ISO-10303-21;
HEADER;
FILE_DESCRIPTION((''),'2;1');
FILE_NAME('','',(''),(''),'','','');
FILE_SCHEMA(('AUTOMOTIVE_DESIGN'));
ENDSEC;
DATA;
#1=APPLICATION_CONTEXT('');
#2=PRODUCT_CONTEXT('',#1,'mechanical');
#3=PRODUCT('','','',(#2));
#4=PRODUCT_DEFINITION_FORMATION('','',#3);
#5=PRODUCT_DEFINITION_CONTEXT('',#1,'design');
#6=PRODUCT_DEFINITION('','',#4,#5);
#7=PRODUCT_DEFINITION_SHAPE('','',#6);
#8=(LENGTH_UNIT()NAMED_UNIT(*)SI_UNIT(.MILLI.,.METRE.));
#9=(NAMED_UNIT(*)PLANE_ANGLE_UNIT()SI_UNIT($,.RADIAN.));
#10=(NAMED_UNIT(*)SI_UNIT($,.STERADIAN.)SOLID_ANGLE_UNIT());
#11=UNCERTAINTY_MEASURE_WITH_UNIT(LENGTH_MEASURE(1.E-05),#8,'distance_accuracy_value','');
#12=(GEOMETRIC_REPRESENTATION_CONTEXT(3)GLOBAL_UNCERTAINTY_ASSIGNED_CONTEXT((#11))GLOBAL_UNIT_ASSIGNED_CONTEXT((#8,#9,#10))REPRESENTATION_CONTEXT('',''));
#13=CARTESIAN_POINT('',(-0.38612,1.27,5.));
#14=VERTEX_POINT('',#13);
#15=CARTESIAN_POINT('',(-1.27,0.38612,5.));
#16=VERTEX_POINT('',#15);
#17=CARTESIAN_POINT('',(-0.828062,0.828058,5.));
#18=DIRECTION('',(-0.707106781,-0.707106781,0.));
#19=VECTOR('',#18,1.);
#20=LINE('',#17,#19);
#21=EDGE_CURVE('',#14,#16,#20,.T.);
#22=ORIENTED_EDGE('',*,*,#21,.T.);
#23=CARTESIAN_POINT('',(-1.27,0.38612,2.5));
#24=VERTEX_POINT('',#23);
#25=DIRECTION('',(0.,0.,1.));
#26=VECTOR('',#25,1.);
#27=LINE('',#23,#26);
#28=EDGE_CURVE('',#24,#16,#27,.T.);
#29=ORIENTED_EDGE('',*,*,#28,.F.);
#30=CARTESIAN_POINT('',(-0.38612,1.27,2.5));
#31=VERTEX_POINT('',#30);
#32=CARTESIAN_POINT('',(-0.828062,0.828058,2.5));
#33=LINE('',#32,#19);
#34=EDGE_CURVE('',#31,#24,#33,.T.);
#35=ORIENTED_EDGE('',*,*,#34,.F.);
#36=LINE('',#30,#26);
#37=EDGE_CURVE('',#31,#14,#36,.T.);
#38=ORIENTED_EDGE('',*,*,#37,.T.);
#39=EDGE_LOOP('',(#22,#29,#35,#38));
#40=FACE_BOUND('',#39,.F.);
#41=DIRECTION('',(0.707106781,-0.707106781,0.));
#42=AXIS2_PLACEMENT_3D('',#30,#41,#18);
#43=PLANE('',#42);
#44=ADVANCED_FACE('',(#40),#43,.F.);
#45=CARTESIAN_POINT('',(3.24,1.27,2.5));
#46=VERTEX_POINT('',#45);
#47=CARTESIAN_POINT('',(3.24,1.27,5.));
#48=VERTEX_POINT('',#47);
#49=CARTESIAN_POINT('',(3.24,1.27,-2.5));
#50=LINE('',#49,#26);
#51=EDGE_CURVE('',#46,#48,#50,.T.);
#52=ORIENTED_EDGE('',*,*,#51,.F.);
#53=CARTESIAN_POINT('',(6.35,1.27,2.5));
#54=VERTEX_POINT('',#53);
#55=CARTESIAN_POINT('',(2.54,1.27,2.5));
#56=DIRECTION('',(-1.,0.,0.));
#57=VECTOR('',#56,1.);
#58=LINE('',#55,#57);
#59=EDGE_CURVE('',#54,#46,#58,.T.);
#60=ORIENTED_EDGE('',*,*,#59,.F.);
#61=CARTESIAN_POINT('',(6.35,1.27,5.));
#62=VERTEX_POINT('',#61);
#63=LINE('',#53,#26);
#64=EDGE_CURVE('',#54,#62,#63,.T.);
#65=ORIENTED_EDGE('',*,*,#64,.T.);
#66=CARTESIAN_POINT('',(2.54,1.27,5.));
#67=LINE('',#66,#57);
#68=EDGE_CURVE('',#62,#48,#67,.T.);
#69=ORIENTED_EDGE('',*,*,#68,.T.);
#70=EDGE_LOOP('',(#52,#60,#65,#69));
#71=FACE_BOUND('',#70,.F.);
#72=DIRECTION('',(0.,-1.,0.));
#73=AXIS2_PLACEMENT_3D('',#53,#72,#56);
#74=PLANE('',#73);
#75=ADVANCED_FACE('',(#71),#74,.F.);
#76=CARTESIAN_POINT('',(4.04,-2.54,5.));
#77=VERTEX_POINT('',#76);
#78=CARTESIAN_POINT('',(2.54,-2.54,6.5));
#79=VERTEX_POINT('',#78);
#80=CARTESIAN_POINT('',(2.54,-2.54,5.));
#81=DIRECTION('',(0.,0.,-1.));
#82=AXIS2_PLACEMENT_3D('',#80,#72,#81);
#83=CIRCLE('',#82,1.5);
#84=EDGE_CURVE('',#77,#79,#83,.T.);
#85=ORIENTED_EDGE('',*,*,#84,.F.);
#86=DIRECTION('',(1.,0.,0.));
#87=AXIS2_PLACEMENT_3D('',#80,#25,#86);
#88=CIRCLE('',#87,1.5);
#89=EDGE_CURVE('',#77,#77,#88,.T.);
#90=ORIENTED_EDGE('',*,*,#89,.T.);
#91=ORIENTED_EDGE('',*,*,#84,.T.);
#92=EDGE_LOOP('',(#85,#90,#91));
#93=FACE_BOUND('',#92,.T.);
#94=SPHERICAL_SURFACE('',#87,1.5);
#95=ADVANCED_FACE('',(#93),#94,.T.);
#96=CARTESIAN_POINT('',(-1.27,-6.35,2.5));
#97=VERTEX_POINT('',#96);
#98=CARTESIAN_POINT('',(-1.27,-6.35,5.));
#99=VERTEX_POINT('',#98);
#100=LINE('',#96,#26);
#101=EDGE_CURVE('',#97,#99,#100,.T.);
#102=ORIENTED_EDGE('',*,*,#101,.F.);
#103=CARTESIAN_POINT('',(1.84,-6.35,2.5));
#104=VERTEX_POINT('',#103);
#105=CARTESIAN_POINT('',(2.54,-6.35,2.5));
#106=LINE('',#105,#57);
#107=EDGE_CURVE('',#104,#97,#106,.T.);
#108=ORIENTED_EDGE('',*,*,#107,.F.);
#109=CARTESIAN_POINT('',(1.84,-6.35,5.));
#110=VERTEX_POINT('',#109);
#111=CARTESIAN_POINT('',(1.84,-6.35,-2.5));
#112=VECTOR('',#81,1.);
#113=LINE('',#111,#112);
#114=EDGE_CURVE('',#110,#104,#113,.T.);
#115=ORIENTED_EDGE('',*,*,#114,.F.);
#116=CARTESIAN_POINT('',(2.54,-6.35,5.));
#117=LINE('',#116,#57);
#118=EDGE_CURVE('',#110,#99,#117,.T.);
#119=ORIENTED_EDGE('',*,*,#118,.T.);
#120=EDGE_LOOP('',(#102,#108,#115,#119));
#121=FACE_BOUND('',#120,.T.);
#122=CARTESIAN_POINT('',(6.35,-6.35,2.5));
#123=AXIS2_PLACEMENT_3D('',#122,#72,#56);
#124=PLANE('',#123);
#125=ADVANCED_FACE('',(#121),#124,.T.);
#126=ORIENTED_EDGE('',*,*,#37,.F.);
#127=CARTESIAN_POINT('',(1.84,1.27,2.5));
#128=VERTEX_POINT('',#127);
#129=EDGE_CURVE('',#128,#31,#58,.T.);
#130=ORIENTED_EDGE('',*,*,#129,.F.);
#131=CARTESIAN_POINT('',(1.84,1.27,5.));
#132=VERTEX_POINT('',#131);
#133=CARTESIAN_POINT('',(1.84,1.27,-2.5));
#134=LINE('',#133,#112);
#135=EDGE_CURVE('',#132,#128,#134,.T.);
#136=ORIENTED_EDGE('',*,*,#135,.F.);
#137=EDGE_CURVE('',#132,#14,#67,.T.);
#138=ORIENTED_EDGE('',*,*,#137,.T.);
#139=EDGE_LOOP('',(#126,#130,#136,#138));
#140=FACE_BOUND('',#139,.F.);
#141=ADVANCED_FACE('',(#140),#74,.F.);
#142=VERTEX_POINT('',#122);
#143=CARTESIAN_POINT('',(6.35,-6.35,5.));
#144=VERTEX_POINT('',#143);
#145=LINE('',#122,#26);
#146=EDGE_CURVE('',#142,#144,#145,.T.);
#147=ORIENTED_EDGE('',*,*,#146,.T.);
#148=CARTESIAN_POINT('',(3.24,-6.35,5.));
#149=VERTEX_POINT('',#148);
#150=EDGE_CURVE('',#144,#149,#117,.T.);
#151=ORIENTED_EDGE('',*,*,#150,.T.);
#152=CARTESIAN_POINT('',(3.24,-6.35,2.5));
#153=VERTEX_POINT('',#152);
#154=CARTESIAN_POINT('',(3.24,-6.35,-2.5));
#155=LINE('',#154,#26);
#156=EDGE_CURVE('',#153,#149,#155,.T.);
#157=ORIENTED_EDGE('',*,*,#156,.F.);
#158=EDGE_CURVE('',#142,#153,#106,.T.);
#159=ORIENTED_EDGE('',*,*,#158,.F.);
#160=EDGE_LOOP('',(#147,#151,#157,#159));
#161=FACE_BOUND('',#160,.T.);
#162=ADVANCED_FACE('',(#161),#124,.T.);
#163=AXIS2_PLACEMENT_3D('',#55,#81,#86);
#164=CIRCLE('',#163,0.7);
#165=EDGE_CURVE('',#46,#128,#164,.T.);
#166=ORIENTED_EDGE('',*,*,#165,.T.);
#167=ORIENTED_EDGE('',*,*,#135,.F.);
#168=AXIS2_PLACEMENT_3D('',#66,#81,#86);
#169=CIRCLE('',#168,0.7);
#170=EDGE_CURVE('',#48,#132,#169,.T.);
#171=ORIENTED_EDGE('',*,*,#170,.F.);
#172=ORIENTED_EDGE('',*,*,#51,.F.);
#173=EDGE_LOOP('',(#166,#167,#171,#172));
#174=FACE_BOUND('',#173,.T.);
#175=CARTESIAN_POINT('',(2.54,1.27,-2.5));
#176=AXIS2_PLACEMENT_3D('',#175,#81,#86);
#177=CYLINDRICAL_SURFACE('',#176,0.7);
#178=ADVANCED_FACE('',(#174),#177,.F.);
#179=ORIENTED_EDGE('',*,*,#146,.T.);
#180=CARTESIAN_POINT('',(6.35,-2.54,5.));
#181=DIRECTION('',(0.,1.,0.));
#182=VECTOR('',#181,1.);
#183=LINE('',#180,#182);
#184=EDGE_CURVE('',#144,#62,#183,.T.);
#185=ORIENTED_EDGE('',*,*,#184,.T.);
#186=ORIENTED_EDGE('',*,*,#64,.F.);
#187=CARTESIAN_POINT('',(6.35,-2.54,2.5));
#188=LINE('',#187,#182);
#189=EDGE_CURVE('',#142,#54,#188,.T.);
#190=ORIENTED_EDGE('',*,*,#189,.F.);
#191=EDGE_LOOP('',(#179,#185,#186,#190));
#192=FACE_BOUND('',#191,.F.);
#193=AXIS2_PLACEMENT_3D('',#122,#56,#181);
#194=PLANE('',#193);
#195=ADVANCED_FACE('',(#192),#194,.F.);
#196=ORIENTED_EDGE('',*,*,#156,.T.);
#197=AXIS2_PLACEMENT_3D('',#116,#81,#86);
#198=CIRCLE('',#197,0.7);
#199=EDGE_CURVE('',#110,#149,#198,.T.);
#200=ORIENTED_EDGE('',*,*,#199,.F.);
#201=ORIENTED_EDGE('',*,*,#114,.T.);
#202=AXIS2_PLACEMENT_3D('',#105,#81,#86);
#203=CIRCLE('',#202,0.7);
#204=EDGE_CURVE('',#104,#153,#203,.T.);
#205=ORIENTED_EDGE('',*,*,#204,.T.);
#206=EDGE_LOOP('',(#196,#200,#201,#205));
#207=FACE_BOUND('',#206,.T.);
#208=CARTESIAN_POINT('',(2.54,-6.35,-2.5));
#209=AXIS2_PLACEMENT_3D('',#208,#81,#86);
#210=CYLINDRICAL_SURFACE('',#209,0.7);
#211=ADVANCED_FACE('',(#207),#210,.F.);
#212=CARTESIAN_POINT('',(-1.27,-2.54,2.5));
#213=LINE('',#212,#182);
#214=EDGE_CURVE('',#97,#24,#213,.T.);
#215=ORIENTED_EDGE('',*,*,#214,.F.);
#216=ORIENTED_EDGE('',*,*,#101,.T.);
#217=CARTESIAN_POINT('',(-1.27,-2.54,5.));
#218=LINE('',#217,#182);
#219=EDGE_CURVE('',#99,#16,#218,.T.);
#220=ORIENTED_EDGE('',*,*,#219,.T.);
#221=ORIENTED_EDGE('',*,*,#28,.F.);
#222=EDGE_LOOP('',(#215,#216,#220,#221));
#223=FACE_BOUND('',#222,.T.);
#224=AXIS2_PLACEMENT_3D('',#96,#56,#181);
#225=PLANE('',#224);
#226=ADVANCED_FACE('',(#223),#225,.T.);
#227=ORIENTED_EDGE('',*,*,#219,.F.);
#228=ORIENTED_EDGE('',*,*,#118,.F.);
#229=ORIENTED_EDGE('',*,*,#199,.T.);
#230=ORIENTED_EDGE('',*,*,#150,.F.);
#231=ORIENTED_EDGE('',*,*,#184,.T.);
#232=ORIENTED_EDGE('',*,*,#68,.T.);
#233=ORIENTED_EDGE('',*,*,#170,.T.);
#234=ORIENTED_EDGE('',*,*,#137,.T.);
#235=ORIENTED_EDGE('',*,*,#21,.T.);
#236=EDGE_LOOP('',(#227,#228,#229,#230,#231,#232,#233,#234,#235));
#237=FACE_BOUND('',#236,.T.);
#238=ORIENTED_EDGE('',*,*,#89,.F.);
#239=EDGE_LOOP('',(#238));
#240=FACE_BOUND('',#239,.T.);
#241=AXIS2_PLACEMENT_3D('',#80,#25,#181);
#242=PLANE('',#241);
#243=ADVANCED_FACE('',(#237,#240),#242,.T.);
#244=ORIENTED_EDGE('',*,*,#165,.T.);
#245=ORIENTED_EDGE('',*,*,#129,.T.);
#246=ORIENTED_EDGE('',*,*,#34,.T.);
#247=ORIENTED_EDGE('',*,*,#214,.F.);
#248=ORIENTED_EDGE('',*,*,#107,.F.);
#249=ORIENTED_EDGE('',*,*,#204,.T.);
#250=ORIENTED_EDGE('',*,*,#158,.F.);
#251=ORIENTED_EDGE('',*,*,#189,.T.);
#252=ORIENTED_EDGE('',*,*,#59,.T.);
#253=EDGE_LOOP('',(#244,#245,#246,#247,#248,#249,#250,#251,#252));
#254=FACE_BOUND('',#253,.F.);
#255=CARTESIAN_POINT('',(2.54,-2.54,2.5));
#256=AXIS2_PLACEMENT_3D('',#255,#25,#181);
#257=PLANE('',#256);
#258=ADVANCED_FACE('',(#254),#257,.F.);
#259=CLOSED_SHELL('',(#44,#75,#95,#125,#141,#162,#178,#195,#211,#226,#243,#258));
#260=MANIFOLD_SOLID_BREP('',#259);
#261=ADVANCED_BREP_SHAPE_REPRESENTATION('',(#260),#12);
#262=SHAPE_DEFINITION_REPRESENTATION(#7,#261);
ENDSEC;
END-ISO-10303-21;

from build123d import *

# Parameters (mm, degrees)
BOX002_W               = 4
BOX002_H               = 4
BOX002_DEPTH           = 4
CYLINDER001_R          = 0.7
CYLINDER001_DEPTH      = 10
CYLINDER_R             = 0.7
CYLINDER_DEPTH         = 10
BOX001_W               = 1.25
BOX001_H               = 1.25
BOX001_DEPTH           = 2.5
BOX001_PLACEMENT_ANGLE = 45
BOX_W                  = 7.62
BOX_H                  = 7.62
BOX_DEPTH              = 2.5
CUT_PLACEMENT_ANGLE    = 90


with BuildPart() as lens_cut:
    # Box002 → Box002 (new body)
    with BuildSketch(Plane(origin=(-2, -2, -4), x_dir=(1, 0, 0), z_dir=(0, 0, 1))):
        with Locations((2, 2)):
            Rectangle(BOX002_W, BOX002_H)
    extrude(amount=BOX002_DEPTH)


with BuildPart() as led_lens001:
    # Sphere → Sphere (revolve)
    with BuildSketch(Plane.XZ):
        with BuildLine():
            ThreePointArc((0, -1.5), (1.5, 0), (0, 1.5))
            Line((0, 1.5), (0, -1.5))
        make_face()
    revolve(axis=Axis((0, 0, 0), (0, 0, 1)))

    # Cut003: cut Lens_cut
    add(lens_cut.part, mode=Mode.SUBTRACT)


with BuildPart() as led_lens001_1:
    # Cut003 placement: moved
    add(led_lens001.part.moved(Location((3.81, -3.81, 7.5))))


with BuildPart() as cut_led_right:
    # Cylinder001 → Cylinder001 (new body)
    with BuildSketch(Plane(origin=(3.81, -7.62, 0), x_dir=(1, 0, 0), z_dir=(0, 0, 1))):
        Circle(CYLINDER001_R)
    extrude(amount=CYLINDER001_DEPTH)


with BuildPart() as cut_led_left:
    # Cylinder → Cylinder (new body)
    with BuildSketch(Plane(origin=(3.81, 0, 0), x_dir=(1, 0, 0), z_dir=(0, 0, 1))):
        Circle(CYLINDER_R)
    extrude(amount=CYLINDER_DEPTH)


with BuildPart() as cut_cube:
    # Box001 → Box001 (new body)
    with BuildSketch(Plane.XY):
        with Locations((0.625, 0.625)):
            Rectangle(BOX001_W, BOX001_H)
    extrude(amount=BOX001_DEPTH)


with BuildPart() as cut_cube_1:
    # Box001 placement: moved
    add(cut_cube.part.moved(Location((7.62, 6.73612, 0))).rotate(Axis((7.62, 6.73612, 0), (0, 0, 1)), BOX001_PLACEMENT_ANGLE))


with BuildPart() as led_head002:
    # Box → Box (new body)
    with BuildSketch(Plane.XY):
        with Locations((3.81, 3.81)):
            Rectangle(BOX_W, BOX_H)
    extrude(amount=BOX_DEPTH)

    # Cut: cut cut_cube
    add(cut_cube_1.part, mode=Mode.SUBTRACT)


with BuildPart() as led_head002_1:
    # Cut placement: moved
    add(led_head002.part.moved(Location((7.62, -7.62, 5))).rotate(Axis((7.62, -7.62, 5), (0, 0, 1)), CUT_PLACEMENT_ANGLE))

    # Cut001: cut Cut_LED_left
    add(cut_led_left.part, mode=Mode.SUBTRACT)

    # Cut002: cut Cut_LED_right
    add(cut_led_right.part, mode=Mode.SUBTRACT)

    # Fusion008: union LED_lens001
    add(led_lens001_1.part)


with BuildPart() as led_head002_2:
    # Fusion008 placement: moved
    add(led_head002_1.part.moved(Location((-1.27, 1.27, -2.5))))


solid = led_head002_2.part
